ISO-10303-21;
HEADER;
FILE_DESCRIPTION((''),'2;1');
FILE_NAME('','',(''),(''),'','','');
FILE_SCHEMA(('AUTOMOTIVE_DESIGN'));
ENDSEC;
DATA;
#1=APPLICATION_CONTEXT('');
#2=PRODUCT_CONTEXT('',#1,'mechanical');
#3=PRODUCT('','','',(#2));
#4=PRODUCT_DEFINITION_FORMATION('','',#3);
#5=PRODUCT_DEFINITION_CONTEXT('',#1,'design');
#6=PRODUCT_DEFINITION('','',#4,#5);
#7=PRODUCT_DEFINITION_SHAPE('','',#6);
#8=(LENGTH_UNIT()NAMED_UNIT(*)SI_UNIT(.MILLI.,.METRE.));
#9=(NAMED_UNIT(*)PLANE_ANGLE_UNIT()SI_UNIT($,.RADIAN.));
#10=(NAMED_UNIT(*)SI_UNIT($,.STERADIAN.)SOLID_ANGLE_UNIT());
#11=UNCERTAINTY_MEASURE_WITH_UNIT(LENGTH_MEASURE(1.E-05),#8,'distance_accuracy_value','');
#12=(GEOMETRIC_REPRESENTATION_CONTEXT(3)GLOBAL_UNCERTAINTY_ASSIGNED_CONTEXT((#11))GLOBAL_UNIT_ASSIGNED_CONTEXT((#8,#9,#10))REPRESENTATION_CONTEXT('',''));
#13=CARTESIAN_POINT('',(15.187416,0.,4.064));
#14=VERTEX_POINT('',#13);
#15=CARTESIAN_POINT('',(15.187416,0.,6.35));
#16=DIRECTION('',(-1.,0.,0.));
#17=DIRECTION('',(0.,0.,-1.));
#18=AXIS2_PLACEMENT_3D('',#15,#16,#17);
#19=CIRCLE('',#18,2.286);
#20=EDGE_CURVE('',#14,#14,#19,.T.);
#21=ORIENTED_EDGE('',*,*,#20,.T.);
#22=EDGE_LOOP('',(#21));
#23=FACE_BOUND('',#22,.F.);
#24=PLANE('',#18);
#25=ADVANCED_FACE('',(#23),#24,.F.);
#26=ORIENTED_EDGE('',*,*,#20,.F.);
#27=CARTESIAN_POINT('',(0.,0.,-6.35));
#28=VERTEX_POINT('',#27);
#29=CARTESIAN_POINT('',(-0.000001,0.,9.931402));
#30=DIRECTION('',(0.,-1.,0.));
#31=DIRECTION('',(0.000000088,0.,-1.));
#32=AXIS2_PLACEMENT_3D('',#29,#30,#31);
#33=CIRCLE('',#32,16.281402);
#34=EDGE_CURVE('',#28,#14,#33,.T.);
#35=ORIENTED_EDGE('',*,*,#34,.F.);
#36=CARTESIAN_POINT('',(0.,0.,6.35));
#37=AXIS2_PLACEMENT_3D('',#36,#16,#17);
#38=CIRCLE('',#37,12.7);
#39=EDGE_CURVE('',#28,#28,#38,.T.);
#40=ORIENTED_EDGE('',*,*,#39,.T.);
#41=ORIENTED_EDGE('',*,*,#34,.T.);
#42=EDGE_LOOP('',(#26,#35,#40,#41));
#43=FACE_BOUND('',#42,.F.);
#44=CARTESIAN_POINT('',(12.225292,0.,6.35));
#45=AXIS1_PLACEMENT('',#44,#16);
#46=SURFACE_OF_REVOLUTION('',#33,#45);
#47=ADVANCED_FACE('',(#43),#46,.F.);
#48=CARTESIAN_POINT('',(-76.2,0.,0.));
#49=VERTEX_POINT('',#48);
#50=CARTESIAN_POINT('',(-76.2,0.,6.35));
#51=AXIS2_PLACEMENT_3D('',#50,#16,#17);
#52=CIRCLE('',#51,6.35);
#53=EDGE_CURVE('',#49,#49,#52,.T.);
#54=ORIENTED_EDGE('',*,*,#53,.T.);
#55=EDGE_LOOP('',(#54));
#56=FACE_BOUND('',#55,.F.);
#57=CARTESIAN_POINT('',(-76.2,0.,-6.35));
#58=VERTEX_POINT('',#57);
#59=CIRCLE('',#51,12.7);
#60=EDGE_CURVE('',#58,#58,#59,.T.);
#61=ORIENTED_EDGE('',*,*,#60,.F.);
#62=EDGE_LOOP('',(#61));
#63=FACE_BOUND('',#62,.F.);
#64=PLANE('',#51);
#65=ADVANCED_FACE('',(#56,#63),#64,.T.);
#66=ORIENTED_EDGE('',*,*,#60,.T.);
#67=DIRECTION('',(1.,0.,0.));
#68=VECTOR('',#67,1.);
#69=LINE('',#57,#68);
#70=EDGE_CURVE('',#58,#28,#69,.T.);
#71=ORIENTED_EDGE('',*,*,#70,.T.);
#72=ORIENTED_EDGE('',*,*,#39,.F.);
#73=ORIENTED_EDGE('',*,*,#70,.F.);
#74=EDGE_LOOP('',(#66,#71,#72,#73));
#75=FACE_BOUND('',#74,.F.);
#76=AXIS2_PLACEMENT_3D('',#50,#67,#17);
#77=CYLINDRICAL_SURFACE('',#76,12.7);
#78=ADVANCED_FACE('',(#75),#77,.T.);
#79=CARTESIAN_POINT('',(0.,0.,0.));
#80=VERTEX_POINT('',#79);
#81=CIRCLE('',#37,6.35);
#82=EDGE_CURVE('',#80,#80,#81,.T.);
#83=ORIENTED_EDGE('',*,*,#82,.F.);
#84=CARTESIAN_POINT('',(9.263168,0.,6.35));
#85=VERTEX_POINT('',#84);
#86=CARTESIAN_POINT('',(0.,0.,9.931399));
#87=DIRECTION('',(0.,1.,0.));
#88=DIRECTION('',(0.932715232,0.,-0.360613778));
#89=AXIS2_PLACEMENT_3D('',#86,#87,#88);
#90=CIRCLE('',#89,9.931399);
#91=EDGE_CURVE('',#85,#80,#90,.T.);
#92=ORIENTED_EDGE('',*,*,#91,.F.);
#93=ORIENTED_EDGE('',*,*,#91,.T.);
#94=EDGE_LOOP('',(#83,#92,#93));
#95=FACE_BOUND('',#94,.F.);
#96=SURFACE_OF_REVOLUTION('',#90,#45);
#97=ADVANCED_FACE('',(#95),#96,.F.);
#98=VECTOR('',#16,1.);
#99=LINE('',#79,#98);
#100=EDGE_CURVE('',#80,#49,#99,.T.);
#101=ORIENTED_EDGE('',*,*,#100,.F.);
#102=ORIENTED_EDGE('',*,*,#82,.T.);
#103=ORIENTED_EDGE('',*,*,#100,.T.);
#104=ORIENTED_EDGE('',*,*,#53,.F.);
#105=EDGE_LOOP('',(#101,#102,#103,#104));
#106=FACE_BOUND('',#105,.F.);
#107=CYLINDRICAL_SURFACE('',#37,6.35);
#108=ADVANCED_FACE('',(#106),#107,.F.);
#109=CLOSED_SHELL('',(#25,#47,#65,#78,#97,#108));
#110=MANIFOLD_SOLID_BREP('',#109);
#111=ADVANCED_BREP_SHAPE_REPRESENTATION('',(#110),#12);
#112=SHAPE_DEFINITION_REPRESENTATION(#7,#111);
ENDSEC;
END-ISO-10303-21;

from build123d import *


with BuildPart() as f1:
    # F0 (on Front) → F1 (revolve)
    with BuildSketch(Plane.XZ):
        with BuildLine():
            ThreePointArc((9.263168, 6.35), (5.615354, 1.73991), (0, 0))
            Line((0, 0), (-76.2, 0))
            Line((-76.2, 0), (-76.2, -6.35))
            Line((-76.2, -6.35), (0, -6.35))
            ThreePointArc((0, -6.35), (9.207456, -3.496434), (15.187416, 4.064))
            Line((15.187416, 4.064), (15.187416, 6.35))
            Line((15.187416, 6.35), (9.263168, 6.35))
        make_face()
    revolve(axis=Axis((12.225292, 0, 6.35), (-1, 0, 0)))


solid = f1.part
